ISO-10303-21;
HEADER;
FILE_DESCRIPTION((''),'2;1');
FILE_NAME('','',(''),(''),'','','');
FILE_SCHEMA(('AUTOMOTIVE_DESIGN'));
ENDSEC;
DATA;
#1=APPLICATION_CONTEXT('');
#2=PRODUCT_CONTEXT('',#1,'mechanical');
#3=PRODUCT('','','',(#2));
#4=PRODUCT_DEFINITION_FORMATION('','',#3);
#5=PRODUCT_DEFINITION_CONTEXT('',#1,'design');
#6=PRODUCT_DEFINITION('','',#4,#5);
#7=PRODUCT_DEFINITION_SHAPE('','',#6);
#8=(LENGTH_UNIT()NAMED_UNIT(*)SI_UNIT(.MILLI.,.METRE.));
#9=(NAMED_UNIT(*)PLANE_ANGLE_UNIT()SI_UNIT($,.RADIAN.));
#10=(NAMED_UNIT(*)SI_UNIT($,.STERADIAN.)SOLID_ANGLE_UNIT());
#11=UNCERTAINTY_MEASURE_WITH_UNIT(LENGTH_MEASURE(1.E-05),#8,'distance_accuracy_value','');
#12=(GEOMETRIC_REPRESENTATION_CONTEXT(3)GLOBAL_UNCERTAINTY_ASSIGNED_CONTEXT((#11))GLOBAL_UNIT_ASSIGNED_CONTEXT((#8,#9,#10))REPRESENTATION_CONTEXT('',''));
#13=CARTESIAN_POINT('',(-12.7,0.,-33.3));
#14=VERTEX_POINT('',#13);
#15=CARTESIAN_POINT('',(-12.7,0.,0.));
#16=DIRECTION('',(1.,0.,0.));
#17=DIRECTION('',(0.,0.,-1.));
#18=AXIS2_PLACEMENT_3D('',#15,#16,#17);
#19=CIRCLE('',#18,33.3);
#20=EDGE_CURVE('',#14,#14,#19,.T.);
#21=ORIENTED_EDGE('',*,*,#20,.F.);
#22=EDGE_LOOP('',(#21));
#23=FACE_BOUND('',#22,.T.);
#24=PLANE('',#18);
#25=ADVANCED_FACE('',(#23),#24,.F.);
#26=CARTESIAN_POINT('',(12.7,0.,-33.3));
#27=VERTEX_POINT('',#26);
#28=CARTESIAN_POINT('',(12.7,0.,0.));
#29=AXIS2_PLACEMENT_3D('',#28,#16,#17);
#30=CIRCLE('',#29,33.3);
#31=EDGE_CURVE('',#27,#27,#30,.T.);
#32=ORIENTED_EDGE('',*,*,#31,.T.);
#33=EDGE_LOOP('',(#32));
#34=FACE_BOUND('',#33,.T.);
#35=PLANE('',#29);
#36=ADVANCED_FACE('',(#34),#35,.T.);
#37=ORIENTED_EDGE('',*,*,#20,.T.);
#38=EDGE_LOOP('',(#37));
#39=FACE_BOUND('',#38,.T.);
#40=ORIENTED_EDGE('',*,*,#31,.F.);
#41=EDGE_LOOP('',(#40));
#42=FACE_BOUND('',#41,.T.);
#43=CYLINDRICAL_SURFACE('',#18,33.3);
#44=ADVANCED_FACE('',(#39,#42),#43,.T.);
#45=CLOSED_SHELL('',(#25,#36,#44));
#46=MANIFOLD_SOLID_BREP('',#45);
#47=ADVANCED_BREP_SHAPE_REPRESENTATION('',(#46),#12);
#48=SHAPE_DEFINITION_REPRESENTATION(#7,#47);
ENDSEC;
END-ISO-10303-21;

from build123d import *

# Parameters (mm, degrees)
SKETCH1_R                = 33.3
BOSS_EXTRUDE1_DEPTH      = 12.7
BOSS_EXTRUDE1_DEPTH_BACK = 12.7


with BuildPart() as part:
    # Sketch1 → Boss-Extrude1 (new body, two sides)
    with BuildSketch(Plane(origin=(0, 0, 0), x_dir=(0, 0, -1), z_dir=(1, 0, 0))) as boss_extrude1_sk:
        Circle(SKETCH1_R)
    extrude(amount=BOSS_EXTRUDE1_DEPTH)
    extrude(boss_extrude1_sk.sketch, amount=-BOSS_EXTRUDE1_DEPTH_BACK)


solid = part.part
